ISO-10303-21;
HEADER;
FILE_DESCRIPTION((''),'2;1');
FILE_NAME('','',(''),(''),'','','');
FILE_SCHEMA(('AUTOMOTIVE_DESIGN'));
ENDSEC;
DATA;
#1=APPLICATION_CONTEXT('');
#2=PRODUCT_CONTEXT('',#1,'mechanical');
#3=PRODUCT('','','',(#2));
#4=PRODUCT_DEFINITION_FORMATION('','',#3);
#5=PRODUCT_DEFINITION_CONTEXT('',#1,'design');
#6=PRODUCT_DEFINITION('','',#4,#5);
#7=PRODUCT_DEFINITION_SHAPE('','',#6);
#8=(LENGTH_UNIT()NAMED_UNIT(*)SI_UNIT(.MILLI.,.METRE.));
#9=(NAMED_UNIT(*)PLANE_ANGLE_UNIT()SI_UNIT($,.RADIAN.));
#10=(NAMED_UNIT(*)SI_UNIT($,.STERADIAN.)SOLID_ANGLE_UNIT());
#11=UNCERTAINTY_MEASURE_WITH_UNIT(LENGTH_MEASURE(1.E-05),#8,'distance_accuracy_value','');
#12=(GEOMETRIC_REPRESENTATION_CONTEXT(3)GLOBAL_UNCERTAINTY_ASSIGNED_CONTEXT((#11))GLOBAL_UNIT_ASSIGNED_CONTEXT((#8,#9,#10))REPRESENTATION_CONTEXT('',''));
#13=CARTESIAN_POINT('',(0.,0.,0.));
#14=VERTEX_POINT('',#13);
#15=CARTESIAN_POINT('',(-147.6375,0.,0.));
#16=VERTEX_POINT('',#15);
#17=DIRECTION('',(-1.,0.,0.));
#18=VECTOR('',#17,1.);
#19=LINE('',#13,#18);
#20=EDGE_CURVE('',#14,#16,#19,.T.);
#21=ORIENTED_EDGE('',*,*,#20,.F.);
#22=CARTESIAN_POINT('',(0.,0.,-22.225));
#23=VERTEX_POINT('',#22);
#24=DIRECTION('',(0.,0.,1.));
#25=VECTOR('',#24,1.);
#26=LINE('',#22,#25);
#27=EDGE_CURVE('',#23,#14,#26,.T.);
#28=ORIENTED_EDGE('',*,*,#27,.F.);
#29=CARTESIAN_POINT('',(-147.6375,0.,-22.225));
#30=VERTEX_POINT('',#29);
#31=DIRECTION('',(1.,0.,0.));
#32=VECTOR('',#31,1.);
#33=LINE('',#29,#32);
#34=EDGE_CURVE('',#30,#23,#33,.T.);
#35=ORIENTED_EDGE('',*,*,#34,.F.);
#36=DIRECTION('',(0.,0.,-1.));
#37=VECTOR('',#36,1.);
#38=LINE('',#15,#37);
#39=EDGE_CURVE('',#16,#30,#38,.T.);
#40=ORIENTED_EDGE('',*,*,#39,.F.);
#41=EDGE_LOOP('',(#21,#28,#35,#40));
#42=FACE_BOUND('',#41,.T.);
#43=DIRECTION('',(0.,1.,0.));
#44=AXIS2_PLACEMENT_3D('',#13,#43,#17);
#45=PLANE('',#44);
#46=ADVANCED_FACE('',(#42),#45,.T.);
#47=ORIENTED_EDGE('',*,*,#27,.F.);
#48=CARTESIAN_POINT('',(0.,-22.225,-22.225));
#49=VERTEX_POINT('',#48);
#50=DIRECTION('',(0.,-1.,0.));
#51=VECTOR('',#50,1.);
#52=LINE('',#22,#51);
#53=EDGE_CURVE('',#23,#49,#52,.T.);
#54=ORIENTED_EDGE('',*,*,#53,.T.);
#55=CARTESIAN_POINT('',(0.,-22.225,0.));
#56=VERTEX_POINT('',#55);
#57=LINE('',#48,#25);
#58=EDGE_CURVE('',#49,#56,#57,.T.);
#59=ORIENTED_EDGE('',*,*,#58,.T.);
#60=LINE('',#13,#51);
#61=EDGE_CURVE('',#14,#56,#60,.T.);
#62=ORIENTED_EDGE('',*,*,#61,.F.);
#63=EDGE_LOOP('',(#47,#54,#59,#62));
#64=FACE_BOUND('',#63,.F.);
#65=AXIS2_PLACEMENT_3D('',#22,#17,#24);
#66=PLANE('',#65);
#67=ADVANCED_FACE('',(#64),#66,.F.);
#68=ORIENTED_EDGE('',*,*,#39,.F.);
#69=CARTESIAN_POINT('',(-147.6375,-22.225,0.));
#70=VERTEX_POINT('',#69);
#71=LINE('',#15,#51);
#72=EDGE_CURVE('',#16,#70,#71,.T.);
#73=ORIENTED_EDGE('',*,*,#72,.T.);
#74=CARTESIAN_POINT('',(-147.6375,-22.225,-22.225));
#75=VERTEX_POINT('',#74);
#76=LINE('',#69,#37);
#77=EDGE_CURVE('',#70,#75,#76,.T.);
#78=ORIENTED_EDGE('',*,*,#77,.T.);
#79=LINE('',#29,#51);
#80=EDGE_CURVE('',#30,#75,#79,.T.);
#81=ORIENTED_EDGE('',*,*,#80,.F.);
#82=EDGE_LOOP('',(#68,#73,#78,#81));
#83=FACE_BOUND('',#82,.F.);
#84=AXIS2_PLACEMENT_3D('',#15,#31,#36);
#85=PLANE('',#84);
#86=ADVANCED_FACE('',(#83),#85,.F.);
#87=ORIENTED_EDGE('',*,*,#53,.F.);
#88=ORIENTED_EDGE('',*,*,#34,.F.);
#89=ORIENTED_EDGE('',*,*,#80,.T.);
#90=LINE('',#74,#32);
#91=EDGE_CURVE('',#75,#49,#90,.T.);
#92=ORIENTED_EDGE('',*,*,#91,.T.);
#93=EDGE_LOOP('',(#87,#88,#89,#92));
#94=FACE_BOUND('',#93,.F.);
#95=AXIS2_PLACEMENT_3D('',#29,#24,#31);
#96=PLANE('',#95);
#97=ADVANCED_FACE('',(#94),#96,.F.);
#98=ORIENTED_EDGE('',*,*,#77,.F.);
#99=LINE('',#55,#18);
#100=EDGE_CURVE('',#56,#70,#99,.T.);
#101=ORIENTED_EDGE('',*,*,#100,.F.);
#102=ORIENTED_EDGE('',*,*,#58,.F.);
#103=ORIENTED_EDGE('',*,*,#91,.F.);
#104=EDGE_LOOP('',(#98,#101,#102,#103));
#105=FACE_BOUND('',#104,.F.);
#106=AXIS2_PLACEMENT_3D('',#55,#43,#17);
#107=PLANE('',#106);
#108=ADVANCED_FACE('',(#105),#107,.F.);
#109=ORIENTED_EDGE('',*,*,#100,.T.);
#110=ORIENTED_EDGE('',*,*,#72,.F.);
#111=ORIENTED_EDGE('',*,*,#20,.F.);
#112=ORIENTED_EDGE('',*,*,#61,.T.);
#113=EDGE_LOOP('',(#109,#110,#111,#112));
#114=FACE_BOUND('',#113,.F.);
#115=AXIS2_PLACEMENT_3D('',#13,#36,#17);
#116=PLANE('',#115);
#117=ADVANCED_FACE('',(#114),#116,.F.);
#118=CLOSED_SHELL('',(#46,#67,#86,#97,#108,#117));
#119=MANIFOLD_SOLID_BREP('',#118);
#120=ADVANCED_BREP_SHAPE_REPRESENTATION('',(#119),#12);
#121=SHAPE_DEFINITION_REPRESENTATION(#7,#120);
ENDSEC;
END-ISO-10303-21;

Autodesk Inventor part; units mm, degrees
ref_plane "YZ Plane" through (0, 0, 0) normal (1, 0, 0) x (0, 1, 0)
ref_plane "XZ Plane" through (0, 0, 0) normal (0, 1, 0) x (-1, 0, 0)
ref_plane "XY Plane" through (0, 0, 0) normal (0, 0, 1) x (1, 0, 0)
sketch "Sketch1" plane through (0, 0, 0) normal (0, 1, 0) x (-1, 0, 0)
  line L0 (0, 0) -> (147.6375, 0)
  line L1 (0, -22.225) -> (0, 0)
  line L2 (147.6375, 0) -> (147.6375, -22.225)
  line L3 (147.6375, -22.225) -> (0, -22.225)
  dimension "d4" = 147.6375
  dimension "d5" = 22.225
extrude "Extrusion1" add sketch "Sketch1" against normal blind 22.225
properties part number "Key--Highest"
